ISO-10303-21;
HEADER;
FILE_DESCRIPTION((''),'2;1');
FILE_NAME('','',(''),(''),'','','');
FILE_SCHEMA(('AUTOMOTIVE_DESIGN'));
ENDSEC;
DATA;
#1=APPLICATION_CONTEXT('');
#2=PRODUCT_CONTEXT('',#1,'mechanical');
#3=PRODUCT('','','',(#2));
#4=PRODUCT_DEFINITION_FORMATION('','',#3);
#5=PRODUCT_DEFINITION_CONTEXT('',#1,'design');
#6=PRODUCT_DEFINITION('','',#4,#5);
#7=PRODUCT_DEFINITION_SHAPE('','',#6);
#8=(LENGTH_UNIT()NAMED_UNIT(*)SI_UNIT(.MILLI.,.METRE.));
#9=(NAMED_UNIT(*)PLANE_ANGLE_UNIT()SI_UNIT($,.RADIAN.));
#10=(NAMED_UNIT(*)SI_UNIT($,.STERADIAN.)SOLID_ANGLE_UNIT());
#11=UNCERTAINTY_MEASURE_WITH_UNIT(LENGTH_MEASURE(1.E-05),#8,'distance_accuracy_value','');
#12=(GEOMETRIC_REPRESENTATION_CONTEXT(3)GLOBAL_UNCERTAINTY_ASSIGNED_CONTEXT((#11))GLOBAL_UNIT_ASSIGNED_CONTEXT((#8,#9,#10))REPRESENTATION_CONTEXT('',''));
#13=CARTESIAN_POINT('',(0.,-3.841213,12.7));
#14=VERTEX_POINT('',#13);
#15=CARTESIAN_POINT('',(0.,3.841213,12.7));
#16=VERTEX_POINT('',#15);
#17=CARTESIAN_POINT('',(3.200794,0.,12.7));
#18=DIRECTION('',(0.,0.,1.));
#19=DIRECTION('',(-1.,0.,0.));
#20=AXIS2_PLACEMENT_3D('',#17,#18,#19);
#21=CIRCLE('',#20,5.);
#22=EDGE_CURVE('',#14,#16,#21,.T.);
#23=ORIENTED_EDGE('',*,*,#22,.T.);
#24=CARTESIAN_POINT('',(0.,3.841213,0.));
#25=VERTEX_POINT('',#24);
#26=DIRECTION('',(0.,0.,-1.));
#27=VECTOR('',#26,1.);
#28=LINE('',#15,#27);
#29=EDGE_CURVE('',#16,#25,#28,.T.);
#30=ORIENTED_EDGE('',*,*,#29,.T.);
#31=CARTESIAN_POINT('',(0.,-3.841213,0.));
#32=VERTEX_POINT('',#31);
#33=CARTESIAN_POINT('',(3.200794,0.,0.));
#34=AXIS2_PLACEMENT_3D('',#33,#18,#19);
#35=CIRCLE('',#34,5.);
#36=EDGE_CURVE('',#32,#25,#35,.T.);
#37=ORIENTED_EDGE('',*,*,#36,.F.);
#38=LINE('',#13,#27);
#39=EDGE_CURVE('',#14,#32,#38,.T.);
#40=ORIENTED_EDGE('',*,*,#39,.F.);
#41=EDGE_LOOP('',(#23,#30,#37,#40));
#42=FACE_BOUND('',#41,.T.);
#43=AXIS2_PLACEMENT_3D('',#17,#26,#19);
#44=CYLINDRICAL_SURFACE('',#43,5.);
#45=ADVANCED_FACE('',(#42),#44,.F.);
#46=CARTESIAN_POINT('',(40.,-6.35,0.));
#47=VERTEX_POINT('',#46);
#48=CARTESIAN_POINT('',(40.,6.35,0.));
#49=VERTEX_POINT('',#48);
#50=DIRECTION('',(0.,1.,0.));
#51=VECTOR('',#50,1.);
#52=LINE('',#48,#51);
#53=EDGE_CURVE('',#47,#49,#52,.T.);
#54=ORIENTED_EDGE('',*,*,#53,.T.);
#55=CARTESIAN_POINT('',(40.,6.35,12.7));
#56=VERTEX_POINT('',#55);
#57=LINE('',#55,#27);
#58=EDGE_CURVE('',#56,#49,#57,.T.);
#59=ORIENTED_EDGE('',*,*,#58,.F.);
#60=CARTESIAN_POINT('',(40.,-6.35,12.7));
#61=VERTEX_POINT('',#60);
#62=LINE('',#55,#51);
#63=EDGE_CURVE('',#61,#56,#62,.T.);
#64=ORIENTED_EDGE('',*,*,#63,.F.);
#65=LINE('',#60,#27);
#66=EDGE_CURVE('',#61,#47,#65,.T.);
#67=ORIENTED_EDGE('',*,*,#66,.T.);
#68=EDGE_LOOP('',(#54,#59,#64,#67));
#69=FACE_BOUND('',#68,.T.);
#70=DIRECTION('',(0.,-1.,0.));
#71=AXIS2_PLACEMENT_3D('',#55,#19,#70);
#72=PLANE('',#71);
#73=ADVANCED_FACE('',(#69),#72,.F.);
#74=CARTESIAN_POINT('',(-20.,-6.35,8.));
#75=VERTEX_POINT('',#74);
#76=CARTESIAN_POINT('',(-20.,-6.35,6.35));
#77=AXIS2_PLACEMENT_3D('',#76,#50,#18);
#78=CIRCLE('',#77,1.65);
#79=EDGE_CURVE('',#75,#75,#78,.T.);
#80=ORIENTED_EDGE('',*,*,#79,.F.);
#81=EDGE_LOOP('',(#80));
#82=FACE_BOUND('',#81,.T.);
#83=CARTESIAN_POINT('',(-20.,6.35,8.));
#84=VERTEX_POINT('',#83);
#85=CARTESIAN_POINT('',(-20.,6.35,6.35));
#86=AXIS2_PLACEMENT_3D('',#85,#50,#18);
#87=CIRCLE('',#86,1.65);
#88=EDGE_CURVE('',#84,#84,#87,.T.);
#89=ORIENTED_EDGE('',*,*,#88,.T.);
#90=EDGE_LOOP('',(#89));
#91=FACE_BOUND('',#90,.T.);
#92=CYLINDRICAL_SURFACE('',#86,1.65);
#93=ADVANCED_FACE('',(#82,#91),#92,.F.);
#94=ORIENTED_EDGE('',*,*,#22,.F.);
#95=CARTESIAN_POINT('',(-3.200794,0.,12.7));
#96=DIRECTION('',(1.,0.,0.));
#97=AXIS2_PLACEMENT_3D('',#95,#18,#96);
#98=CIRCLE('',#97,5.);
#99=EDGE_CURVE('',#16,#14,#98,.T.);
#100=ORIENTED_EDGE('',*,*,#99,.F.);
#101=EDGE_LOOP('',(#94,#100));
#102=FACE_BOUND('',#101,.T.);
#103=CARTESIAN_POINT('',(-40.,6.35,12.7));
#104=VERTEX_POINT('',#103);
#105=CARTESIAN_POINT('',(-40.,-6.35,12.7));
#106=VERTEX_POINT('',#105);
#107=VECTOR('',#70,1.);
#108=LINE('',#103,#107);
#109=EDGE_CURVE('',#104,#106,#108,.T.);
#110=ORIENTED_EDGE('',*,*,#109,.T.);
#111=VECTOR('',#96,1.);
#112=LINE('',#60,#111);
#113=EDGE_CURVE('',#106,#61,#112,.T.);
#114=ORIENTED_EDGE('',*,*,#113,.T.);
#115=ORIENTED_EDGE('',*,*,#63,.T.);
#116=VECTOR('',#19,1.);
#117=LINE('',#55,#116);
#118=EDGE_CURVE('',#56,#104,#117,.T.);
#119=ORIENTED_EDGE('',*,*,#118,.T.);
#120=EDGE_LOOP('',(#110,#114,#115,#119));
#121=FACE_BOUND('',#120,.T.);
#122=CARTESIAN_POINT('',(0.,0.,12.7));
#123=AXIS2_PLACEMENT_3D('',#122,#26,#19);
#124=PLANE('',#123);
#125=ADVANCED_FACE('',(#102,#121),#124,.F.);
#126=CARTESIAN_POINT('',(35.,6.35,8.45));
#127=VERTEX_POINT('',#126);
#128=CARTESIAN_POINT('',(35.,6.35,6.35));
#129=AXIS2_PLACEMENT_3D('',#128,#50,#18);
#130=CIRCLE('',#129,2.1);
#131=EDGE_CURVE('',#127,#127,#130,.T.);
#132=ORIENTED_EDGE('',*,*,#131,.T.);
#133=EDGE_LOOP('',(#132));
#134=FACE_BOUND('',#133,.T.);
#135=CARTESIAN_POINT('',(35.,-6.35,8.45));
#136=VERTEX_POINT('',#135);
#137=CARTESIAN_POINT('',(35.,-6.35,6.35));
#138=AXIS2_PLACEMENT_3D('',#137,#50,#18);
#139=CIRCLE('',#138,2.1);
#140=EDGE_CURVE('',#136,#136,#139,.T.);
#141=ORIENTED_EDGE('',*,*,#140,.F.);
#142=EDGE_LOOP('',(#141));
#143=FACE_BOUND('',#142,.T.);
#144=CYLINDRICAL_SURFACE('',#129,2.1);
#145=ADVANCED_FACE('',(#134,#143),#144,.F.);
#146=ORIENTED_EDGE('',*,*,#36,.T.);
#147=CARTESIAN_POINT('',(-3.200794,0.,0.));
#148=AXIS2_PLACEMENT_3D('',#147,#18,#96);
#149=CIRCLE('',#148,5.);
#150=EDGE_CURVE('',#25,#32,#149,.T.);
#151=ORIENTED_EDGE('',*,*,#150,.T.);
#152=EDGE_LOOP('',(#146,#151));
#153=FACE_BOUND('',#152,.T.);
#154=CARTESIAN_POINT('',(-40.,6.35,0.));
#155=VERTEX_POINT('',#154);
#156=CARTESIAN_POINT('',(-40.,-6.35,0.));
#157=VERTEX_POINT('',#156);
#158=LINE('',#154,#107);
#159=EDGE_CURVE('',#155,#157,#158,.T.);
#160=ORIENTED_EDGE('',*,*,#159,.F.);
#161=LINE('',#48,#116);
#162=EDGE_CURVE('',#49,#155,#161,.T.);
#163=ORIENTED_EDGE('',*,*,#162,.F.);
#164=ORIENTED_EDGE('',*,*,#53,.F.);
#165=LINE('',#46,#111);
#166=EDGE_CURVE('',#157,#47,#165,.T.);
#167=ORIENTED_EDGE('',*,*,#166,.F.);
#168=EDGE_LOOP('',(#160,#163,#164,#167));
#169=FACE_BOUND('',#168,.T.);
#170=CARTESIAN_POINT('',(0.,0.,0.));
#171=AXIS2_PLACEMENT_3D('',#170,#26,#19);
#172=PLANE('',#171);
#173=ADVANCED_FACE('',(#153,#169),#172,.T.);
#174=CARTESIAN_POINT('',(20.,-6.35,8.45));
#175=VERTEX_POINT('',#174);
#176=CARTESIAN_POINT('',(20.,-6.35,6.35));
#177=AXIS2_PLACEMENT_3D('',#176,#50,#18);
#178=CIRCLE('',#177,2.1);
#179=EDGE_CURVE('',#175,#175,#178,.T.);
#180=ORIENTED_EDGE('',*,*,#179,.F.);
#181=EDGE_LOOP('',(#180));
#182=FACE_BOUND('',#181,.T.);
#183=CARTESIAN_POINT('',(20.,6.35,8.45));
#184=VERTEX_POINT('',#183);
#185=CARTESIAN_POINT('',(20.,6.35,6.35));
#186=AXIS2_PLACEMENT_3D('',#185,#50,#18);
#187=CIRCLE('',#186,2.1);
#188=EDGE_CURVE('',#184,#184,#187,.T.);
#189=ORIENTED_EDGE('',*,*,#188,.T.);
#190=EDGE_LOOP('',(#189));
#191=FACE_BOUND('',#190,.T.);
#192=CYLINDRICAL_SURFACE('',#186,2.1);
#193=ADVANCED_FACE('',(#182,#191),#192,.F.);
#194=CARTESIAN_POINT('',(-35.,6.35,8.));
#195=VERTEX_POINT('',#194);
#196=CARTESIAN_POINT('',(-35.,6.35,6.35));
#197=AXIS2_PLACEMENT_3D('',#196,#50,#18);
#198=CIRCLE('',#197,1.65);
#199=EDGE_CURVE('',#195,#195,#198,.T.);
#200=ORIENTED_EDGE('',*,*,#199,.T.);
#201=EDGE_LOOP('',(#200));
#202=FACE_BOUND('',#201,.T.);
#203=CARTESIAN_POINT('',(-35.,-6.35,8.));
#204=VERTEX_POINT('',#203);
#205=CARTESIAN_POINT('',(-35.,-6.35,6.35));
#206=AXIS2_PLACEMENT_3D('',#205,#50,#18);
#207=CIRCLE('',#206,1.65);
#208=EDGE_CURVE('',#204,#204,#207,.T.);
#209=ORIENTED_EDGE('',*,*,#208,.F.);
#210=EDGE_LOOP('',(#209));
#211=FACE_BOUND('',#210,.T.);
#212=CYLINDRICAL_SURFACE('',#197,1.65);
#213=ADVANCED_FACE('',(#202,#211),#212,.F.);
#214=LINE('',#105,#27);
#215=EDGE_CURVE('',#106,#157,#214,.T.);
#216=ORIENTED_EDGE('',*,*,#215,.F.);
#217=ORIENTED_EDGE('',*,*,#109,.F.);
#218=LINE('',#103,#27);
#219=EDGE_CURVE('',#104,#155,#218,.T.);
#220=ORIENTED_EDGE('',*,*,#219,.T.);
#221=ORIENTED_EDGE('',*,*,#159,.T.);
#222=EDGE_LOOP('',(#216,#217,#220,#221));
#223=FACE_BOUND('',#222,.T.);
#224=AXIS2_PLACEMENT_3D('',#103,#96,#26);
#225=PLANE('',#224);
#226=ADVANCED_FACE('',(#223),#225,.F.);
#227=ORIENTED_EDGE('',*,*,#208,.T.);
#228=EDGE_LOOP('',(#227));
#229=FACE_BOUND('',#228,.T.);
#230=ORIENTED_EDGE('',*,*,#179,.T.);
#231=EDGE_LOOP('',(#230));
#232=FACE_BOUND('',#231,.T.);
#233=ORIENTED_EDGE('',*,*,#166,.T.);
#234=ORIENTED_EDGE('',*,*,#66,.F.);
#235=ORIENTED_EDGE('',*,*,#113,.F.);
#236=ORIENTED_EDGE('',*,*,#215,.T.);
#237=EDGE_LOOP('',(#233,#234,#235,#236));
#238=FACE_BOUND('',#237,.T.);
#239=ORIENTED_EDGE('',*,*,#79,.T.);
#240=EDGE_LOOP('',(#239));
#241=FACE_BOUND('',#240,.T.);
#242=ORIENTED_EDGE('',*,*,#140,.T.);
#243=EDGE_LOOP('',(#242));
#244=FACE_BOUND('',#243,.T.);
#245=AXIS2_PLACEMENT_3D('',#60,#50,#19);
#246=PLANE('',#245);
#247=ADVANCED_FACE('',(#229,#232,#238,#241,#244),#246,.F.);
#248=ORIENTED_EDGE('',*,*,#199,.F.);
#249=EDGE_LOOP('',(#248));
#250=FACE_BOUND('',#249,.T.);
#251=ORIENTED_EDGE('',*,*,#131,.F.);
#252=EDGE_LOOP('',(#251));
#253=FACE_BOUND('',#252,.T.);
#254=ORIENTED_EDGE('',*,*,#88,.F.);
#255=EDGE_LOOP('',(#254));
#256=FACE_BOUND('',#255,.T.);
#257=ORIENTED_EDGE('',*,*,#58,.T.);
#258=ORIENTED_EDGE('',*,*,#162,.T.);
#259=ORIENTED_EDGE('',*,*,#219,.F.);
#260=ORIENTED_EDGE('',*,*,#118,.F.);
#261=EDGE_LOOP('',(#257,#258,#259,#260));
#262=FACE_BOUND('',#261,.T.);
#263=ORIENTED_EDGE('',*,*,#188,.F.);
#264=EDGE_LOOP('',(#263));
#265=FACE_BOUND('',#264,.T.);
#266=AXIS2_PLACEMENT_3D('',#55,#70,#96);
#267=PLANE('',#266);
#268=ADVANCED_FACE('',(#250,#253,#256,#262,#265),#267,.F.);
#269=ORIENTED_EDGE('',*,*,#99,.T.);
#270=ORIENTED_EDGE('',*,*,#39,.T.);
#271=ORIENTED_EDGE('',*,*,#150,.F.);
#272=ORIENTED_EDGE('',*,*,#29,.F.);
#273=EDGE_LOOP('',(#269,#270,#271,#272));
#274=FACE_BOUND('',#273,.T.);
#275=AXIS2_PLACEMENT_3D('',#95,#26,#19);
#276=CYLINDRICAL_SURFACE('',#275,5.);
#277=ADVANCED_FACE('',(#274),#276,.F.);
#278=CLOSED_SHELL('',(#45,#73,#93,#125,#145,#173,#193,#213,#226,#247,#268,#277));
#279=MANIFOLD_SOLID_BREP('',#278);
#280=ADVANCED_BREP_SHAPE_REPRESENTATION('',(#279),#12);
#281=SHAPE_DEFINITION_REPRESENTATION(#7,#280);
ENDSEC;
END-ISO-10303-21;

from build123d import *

# Parameters (mm, degrees)
CROQUIS1_W                                 = 80
CROQUIS1_H                                 = 12.7
SALIENTE_EXTRUIR1_DEPTH                    = 12.7
PERFORADOR_PARA_ROSCAR_PARA_MACHO_DE_ROS_D = 3.3
PERFORADOR_PARA_ROSCAR_PARA_MACHO_DE_2_D   = 4.2


with BuildPart() as part:
    # Croquis1 → Saliente-Extruir1 (new body)
    with BuildSketch(Plane.XY):
        Rectangle(CROQUIS1_W, CROQUIS1_H)
        with BuildLine():
            ThreePointArc((0, 3.841213022), (-8.200794046, 0), (0, -3.841213022))
            ThreePointArc((0, -3.841213022), (8.200794046, 0), (0, 3.841213022))
        make_face(mode=Mode.SUBTRACT)
    extrude(amount=SALIENTE_EXTRUIR1_DEPTH)

    # Perforador para roscar para macho de ros (through all)
    with Locations(Plane(origin=(0, 6.35, 0), x_dir=(1, 0, 0), z_dir=(0, 1, 0))):
        with Locations((-35, -6.35), (-20, -6.35)):
            Hole(PERFORADOR_PARA_ROSCAR_PARA_MACHO_DE_ROS_D / 2)

    # Perforador para roscar para macho de 2 (through all)
    with Locations(Plane(origin=(0, 6.35, 0), x_dir=(1, 0, 0), z_dir=(0, 1, 0))):
        with Locations((35, -6.35), (20, -6.35)):
            Hole(PERFORADOR_PARA_ROSCAR_PARA_MACHO_DE_2_D / 2)


solid = part.part
